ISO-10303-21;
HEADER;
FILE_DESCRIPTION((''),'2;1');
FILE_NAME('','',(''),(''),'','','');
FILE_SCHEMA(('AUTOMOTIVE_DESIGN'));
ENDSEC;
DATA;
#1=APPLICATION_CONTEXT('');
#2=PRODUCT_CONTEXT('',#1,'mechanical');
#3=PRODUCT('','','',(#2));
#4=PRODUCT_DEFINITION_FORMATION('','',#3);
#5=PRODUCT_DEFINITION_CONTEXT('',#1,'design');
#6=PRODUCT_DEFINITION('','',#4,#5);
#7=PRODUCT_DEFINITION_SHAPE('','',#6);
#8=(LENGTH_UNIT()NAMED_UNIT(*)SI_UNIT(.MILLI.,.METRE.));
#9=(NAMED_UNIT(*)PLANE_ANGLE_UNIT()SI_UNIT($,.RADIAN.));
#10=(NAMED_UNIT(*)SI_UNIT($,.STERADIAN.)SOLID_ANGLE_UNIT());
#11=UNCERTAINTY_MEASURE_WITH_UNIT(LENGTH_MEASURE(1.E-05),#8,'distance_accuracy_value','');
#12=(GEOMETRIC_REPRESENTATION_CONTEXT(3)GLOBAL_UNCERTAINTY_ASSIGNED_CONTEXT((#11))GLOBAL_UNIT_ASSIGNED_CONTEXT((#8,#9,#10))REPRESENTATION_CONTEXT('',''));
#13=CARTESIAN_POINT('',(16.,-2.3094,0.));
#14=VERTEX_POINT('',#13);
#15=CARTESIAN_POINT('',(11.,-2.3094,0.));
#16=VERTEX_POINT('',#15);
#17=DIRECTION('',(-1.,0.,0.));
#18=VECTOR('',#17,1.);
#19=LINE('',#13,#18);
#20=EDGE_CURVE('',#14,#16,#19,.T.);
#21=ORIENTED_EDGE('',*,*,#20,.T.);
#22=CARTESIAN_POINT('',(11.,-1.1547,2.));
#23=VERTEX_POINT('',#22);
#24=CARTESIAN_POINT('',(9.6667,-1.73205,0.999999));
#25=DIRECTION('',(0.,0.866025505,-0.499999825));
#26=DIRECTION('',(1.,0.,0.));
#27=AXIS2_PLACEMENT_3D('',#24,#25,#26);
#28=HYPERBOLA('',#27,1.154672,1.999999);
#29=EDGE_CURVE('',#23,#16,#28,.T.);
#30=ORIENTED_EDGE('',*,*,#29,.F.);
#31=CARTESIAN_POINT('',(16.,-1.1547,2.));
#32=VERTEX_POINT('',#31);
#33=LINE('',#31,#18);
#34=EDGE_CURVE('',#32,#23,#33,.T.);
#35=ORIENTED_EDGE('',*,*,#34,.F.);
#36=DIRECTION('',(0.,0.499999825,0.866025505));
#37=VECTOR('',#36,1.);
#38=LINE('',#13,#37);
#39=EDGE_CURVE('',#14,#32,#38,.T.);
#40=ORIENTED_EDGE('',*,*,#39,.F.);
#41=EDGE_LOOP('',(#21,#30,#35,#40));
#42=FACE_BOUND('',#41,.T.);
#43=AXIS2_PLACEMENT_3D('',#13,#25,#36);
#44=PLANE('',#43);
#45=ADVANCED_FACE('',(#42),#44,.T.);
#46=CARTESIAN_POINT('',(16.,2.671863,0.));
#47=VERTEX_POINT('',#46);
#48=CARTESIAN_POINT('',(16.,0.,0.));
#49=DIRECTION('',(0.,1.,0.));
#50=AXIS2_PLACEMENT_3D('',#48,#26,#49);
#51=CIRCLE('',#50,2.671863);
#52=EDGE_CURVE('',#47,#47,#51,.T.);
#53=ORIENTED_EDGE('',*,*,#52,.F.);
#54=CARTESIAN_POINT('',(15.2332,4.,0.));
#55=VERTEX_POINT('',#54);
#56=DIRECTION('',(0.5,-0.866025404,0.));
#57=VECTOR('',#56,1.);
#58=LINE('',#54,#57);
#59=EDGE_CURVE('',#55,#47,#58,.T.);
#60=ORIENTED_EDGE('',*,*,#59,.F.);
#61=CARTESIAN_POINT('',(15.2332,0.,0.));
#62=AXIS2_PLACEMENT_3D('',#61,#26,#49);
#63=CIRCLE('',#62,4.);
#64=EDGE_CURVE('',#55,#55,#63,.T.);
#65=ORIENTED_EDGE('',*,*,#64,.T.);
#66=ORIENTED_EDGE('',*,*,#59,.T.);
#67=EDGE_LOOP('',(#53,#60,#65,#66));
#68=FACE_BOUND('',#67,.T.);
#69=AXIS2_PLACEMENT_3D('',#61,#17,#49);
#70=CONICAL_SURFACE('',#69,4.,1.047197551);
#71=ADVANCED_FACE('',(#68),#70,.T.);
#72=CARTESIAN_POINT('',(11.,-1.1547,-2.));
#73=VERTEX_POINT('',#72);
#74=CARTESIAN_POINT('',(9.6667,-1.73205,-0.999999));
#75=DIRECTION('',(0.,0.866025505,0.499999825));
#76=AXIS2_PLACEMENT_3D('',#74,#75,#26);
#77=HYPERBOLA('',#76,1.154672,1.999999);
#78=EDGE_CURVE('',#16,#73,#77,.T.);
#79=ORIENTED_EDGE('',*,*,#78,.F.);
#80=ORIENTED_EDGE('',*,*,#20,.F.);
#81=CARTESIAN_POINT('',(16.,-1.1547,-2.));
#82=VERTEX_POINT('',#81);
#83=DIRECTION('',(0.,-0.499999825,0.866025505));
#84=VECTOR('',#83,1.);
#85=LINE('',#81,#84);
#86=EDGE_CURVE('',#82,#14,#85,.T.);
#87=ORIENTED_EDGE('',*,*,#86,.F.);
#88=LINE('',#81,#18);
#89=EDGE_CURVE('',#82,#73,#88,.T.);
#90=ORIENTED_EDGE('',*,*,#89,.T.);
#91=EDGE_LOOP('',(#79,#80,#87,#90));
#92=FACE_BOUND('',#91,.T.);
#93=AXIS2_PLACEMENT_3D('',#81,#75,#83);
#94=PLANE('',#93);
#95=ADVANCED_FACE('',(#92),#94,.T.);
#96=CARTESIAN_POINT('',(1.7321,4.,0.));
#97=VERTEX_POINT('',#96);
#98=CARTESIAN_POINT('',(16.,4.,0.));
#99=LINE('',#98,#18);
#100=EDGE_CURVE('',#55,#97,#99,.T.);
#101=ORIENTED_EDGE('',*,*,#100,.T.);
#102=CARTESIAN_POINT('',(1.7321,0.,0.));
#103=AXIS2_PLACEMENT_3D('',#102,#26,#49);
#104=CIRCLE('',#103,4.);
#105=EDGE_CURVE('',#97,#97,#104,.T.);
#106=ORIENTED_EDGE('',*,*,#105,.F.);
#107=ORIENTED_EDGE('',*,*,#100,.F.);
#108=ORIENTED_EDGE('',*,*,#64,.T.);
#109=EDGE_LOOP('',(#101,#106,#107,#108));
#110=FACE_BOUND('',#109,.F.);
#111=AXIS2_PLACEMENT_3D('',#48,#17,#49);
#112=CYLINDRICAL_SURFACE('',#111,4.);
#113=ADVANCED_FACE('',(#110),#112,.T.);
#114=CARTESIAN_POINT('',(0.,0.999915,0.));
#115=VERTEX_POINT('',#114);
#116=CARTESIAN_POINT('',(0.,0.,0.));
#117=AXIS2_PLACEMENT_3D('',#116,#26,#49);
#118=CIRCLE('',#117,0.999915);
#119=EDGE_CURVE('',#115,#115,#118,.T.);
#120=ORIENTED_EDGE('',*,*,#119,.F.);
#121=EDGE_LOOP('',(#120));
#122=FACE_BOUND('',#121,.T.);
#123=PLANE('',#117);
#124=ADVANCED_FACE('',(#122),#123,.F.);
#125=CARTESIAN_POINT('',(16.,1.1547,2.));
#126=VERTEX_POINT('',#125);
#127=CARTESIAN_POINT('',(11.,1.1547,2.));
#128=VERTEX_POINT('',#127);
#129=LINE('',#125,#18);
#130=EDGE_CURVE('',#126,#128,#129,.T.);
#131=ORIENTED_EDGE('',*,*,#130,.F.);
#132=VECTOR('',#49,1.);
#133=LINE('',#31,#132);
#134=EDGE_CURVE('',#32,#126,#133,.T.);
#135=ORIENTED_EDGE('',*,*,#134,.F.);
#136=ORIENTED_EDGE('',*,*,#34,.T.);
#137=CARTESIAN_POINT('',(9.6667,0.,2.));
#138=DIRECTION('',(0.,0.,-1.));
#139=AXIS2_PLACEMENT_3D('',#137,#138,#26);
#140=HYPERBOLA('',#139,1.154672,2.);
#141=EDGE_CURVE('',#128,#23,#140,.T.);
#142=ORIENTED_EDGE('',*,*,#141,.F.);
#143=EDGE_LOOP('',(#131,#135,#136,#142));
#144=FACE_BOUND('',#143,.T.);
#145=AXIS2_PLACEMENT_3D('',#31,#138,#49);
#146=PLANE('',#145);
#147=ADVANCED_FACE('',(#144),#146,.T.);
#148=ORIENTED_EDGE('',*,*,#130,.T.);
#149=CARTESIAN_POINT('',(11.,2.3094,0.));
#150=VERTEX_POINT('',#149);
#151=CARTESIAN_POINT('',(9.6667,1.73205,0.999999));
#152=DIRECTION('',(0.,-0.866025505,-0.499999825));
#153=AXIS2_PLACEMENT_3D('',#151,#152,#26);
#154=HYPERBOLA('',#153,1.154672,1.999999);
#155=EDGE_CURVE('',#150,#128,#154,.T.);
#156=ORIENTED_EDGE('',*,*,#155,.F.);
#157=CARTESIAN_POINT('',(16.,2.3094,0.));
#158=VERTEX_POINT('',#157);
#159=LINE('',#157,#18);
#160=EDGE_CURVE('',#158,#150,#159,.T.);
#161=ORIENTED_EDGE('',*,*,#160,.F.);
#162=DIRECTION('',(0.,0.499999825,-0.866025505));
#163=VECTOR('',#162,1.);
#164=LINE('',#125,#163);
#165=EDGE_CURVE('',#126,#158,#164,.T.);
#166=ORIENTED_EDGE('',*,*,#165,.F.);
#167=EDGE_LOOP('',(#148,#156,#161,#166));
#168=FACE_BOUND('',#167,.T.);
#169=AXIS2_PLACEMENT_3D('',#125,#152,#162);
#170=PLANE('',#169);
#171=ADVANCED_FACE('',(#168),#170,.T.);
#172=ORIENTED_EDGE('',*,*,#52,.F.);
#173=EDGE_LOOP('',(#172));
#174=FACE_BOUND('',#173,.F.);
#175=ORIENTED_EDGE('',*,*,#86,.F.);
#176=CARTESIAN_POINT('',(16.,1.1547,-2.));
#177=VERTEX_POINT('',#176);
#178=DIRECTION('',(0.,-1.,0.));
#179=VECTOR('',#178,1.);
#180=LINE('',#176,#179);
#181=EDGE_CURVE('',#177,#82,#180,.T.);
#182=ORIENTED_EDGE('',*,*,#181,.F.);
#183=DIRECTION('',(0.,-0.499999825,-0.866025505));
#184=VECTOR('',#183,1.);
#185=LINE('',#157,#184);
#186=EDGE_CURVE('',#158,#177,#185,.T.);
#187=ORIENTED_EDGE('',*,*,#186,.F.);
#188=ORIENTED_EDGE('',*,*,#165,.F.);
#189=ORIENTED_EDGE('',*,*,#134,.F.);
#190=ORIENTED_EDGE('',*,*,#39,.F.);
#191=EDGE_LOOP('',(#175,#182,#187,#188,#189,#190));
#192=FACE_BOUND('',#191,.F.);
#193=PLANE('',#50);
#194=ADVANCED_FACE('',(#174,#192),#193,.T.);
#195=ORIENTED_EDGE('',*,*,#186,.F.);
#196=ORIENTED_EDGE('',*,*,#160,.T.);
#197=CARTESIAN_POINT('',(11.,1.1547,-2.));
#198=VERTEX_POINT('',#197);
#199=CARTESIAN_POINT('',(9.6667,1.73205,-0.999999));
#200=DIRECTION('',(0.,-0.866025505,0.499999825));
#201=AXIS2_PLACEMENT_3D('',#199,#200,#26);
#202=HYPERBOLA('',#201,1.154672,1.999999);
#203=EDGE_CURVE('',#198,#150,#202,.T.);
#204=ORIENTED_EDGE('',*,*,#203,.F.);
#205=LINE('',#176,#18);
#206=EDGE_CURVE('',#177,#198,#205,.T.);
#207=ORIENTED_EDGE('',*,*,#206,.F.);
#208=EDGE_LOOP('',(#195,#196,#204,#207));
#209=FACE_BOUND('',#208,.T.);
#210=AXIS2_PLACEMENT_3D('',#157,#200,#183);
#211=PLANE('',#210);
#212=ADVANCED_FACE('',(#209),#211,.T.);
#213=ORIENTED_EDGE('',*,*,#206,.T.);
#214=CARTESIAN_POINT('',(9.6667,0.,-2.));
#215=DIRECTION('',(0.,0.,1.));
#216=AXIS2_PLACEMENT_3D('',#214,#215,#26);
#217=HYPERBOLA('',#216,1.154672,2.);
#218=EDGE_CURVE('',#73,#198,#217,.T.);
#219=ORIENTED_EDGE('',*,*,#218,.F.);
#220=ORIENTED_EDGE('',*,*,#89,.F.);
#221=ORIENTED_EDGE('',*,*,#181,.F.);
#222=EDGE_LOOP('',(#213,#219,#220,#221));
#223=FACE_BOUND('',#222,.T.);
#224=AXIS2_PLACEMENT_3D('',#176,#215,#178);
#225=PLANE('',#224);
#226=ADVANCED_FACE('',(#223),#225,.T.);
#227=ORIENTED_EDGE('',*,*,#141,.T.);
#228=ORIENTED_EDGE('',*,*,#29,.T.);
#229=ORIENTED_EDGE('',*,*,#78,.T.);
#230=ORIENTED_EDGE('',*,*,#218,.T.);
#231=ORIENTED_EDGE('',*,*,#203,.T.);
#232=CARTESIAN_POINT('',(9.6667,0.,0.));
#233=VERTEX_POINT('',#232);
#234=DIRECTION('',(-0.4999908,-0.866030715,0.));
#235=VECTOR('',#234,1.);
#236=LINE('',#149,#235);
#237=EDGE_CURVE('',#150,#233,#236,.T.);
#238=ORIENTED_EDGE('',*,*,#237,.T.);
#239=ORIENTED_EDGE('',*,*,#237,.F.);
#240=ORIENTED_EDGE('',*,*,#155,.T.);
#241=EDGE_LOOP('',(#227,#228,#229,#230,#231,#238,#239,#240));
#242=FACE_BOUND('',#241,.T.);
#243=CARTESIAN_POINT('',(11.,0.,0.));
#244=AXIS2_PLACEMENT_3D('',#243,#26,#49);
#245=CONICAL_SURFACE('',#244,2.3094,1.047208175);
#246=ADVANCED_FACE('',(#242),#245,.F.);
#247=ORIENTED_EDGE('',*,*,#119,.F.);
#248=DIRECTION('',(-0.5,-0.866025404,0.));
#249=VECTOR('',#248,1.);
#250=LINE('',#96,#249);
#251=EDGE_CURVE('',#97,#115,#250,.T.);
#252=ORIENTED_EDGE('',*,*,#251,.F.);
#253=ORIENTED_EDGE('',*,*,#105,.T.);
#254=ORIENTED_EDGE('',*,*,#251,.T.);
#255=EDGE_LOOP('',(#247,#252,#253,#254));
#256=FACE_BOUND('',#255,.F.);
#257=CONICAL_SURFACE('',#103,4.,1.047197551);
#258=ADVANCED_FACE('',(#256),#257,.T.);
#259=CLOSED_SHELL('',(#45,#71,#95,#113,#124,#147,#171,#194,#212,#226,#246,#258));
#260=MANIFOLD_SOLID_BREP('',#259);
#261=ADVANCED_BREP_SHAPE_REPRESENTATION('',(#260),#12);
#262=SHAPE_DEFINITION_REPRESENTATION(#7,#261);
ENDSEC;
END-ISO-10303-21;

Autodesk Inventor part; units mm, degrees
ref_plane "YZ Plane" through (0, 0, 0) normal (1, 0, 0) x (0, 1, 0)
ref_plane "XZ Plane" through (0, 0, 0) normal (0, 1, 0) x (-1, 0, 0)
sketch "Эскиз1" plane through (0, 0, 0) normal (0, 0, 1) x (1, 0, 0)
  line L0 (0, 0) -> (9.6667, 0)
  line L1 (16, 2.3094) -> (16, 4)
  line L2 (16, 4) -> (0, 4)
  line L3 (16, 2.3094) -> (11, 2.3094)
  line L4 (11, 2.3094) -> (9.6667, 0)
  line L5 (0, -0.8) -> (0, 4.8) projected
  line L6 (0, 4) -> (0, 0)
  dimension "d0" = 5
  dimension "d1" = 60
  dimension "d2" = 8
  dimension "d3" = 4.6188
  dimension "d5" = 16
revolve "Базовый элемент" add sketch "Эскиз1" angle 360 about axis through (0, 0, 0) along (1, 0, 0)
sketch "Эскиз2" plane through (16, 0, 0) normal (1, 0, 0) x (0, 1, 0)
  circle A0 centre (0, 0) radius 2.3094 projected
  line L0 (-1.1547, 2) -> (1.1547, 2)
  line L1 (1.1547, 2) -> (2.3094, 0)
  line L2 (2.3094, 0) -> (1.1547, -2)
  line L3 (1.1547, -2) -> (-1.1547, -2)
  line L4 (-1.1547, -2) -> (-2.3094, 0)
  line L5 (-2.3094, 0) -> (-1.1547, 2)
  point P0 (0, 0)
  point P1 (0, 0)
extrude "Паз" add sketch "Эскиз2" against normal up to next contours L1 A0 | A0 L2 | L0 A0 | A0 L3 | L5 A0 | A0 L4
thread "Резьба" size "M8x1.25" class "6g" standard "ISO Metric profile" length 16
chamfer "Фаска1" distance 1.7321 angle 60 1 edges at (0, -4, 0) measured on face at (10.6667, 3.987, -0.3219)
chamfer "Фаска2" distance 0.7668 angle 60 1 edges at (16, -4, 0) measured on face at (11.244, 3.9482, -0.6416)
ref_plane "Work Plane1" through (8, 0, 0) normal (0, 0, 1) x (1, 0, 0)
equation "\"d0\" = INTI"
equation "\"d2\" = NND"
equation "\"d3\" = 1.1547 * SW"
equation "\"d5\" = NLG"
equation "\"d12\" = NLG"
equation "\"d9\" = FAWI"
equation "\"d10\" = -0.5 * GD1 + 0.5 * NND"
equation "\"d11\" = FAWI"
equation "\"d35\" = -0.5 * GD1 + 0.5 * NND"
equation "\"NND\" = 8"
equation "\"NLG\" = 16"
equation "\"INTI\" = 5"
equation "\"FAWI\" = 60deg"
equation "\"SW\" = 4"
equation "\"GD1\" = THREADDIA - 1.2269 * PTC"
equation "\"FAWI1\" = 45deg"
equation "\"SPD\" = 2"
equation "\"GUL\" = 0.61345 * PTC"
equation "\"TOA\" = 30deg"
equation "\"THREADDIA\" = 8"
equation "\"PTC\" = 1.25"
equation "\"GAL\" = 0.61345 * PTC"
equation "\"E0\" = 1.155 * SW"
properties part number "AS 1421 - M8x16 конический" material "Сталь, мягкая"
